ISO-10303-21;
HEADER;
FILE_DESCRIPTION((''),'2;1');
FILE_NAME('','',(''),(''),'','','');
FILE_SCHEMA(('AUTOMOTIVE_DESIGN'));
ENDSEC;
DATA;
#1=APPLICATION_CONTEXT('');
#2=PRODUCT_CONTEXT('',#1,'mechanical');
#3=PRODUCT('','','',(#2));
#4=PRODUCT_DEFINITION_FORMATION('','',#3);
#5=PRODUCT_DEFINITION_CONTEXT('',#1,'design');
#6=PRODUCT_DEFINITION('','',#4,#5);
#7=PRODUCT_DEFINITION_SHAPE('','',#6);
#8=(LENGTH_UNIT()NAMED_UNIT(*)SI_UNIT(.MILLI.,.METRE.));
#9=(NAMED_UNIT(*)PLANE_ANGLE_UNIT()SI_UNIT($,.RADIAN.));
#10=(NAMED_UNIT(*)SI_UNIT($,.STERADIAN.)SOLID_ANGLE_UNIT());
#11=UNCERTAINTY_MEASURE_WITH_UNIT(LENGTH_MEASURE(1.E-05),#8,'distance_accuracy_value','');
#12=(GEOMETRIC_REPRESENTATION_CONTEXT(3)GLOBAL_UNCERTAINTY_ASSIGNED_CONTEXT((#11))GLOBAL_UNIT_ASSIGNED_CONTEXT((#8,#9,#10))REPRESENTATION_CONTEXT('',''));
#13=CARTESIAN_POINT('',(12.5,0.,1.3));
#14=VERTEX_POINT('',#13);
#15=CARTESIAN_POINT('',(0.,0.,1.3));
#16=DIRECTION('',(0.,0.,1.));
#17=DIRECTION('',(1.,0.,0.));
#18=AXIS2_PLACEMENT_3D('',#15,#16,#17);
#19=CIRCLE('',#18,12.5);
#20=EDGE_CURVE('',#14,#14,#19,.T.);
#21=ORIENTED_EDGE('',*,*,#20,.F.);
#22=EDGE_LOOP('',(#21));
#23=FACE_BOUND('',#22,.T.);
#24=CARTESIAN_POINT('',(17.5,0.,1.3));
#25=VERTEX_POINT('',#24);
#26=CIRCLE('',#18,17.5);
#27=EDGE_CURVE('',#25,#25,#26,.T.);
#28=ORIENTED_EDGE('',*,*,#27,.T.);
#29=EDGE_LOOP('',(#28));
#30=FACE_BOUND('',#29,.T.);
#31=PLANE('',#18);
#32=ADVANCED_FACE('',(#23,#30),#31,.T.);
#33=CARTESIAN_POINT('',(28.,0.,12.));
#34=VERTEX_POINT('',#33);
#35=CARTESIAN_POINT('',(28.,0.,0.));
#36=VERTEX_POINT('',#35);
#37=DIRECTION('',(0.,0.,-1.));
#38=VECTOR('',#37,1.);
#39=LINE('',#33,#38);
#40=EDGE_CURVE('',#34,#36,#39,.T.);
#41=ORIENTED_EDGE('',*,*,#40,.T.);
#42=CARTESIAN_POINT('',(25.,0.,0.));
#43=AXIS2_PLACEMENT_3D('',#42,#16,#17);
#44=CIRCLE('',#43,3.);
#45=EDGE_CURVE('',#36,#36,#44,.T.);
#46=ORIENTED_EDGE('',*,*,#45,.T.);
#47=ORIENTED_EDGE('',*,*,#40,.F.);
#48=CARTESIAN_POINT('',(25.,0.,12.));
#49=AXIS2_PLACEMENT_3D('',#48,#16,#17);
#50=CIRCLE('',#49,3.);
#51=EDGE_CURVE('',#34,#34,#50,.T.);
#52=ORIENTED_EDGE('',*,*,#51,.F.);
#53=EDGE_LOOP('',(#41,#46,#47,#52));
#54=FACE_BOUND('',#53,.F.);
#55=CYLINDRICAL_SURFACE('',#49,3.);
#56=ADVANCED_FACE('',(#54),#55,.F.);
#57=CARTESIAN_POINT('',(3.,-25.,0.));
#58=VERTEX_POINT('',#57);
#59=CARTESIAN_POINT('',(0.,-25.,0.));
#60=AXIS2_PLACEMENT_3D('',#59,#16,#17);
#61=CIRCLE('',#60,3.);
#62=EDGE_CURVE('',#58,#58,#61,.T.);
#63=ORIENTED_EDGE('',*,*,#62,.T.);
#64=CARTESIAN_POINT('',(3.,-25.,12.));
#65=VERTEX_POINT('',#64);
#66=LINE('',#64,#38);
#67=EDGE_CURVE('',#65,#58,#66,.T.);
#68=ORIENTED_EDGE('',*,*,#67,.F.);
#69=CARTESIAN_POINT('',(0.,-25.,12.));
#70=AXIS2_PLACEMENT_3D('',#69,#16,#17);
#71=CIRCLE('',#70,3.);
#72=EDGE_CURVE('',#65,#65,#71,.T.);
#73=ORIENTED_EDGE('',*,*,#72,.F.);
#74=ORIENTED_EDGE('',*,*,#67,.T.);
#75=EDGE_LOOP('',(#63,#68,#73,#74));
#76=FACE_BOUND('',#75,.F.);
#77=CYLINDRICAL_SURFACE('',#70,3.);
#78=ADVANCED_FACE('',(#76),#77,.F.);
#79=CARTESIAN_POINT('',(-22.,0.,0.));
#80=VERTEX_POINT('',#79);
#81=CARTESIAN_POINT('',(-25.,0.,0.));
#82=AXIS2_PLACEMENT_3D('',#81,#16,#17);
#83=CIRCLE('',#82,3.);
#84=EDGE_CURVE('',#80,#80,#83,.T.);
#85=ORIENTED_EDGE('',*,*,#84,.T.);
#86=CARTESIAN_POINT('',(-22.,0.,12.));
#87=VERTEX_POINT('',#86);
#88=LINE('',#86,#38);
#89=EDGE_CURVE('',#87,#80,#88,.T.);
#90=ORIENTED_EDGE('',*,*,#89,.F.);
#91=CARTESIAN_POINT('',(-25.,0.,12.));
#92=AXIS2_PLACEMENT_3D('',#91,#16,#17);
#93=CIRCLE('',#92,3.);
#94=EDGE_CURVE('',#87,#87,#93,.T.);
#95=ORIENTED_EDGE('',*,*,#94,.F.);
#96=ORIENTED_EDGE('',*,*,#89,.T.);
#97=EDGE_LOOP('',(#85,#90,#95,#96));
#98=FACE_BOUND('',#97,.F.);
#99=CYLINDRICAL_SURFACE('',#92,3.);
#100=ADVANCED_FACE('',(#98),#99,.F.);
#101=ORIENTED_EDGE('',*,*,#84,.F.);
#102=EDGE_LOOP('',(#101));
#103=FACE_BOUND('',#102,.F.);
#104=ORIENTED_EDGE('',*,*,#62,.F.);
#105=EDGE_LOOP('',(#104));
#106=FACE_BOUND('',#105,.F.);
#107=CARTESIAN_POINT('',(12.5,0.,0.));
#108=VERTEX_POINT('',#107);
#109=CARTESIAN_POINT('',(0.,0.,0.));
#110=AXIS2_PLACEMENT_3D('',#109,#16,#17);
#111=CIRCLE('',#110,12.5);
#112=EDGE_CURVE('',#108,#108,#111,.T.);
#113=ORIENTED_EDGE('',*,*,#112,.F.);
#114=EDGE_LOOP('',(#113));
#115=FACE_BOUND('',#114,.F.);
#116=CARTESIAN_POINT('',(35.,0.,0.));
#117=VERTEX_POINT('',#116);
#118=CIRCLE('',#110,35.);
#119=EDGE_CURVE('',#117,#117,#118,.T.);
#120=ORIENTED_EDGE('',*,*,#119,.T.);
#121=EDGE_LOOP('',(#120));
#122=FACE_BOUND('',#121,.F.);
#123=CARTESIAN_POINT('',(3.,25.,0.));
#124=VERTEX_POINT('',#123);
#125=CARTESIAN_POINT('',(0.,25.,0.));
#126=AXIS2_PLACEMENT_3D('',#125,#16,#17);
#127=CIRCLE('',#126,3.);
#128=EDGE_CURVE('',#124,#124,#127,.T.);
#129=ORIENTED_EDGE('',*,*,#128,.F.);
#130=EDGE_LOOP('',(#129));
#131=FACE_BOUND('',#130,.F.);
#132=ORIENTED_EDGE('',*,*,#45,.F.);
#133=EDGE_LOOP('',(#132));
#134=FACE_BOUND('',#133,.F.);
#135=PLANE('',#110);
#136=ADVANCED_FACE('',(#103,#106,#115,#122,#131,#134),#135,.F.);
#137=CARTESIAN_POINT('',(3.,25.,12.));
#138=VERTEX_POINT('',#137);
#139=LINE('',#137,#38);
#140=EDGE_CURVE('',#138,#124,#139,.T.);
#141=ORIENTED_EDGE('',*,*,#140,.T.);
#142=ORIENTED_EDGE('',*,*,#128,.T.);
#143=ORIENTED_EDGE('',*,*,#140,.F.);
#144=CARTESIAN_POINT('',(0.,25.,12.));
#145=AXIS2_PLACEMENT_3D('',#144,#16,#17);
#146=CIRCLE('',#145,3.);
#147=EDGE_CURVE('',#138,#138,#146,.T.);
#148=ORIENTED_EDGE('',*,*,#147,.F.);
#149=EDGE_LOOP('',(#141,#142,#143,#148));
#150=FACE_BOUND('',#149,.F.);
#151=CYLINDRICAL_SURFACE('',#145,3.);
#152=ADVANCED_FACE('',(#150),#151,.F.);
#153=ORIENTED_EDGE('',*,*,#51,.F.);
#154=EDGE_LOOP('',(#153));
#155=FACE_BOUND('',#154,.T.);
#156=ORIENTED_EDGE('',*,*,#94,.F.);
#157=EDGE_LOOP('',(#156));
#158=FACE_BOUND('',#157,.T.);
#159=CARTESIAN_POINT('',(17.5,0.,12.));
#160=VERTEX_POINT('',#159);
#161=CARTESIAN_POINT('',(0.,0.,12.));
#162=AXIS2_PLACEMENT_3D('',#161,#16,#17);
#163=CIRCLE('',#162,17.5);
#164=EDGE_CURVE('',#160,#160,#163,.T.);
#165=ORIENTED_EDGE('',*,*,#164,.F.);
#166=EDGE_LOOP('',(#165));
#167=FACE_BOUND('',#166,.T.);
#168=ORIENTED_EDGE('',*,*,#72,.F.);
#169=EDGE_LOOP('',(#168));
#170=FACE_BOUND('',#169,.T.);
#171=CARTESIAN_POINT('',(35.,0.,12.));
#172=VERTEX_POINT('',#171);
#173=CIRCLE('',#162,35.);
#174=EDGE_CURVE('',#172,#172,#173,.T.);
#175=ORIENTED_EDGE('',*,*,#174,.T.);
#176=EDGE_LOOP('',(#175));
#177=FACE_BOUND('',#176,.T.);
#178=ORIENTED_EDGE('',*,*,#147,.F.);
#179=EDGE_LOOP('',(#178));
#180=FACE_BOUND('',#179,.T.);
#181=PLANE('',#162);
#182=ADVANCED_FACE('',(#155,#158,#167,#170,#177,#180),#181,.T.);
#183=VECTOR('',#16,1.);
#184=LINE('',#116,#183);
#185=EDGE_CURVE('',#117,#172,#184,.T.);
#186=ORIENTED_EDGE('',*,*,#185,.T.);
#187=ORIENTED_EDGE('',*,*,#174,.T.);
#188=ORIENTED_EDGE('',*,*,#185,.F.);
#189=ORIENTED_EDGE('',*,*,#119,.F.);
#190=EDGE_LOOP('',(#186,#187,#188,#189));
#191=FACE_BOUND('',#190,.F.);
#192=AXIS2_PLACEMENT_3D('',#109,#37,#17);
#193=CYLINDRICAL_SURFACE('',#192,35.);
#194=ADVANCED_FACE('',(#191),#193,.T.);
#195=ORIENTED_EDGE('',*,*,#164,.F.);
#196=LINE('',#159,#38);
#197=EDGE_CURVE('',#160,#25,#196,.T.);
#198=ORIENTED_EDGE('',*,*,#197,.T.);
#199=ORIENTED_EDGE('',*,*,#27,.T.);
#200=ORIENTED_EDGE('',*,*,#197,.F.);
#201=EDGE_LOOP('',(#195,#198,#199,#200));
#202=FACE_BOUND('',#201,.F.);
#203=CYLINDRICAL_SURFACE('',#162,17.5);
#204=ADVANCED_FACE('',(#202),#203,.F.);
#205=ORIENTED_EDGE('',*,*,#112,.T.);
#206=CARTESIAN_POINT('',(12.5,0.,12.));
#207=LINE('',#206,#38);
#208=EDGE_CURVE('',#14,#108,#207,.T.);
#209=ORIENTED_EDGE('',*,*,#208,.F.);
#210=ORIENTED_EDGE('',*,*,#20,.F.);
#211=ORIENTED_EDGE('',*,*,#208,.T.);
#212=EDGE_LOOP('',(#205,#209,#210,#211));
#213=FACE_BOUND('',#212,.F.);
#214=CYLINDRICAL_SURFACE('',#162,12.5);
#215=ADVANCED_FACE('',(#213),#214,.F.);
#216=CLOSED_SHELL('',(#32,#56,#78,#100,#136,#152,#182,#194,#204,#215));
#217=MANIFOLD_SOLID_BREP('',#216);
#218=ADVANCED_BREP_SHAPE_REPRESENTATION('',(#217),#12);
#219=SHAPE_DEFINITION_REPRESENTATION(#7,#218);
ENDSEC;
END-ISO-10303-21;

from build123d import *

# Parameters (mm, degrees)
F0_R     = 35
F1_DEPTH = 12
F2_R     = 12.5
F3_DEPTH = 25
F4_R     = 17.5
F5_DEPTH = 10.7
F6_R     = 3
F7_DEPTH = 25


with BuildPart() as f1:
    # F0 (on Top) → F1 (new body)
    with BuildSketch(Plane.XY):
        Circle(F0_R)
    extrude(amount=F1_DEPTH)

    # F2 (on face) → F3 (cut)
    with BuildSketch(Plane.XY.offset(12)):
        Circle(F2_R)
    extrude(amount=-F3_DEPTH, mode=Mode.SUBTRACT)

    # F4 (on face) → F5 (cut)
    with BuildSketch(Plane.XY.offset(12)):
        Circle(F4_R)
    extrude(amount=-F5_DEPTH, mode=Mode.SUBTRACT)

    # F6 (on face) → F7 (cut)
    with BuildSketch(Plane.XY.offset(12)):
        with Locations((-25, 0)):
            Circle(F6_R)
        with Locations((0, 25)):
            Circle(F6_R)
        with Locations((25, 0)):
            Circle(F6_R)
        with Locations((0, -25)):
            Circle(F6_R)
    extrude(amount=-F7_DEPTH, mode=Mode.SUBTRACT)


solid = f1.part
